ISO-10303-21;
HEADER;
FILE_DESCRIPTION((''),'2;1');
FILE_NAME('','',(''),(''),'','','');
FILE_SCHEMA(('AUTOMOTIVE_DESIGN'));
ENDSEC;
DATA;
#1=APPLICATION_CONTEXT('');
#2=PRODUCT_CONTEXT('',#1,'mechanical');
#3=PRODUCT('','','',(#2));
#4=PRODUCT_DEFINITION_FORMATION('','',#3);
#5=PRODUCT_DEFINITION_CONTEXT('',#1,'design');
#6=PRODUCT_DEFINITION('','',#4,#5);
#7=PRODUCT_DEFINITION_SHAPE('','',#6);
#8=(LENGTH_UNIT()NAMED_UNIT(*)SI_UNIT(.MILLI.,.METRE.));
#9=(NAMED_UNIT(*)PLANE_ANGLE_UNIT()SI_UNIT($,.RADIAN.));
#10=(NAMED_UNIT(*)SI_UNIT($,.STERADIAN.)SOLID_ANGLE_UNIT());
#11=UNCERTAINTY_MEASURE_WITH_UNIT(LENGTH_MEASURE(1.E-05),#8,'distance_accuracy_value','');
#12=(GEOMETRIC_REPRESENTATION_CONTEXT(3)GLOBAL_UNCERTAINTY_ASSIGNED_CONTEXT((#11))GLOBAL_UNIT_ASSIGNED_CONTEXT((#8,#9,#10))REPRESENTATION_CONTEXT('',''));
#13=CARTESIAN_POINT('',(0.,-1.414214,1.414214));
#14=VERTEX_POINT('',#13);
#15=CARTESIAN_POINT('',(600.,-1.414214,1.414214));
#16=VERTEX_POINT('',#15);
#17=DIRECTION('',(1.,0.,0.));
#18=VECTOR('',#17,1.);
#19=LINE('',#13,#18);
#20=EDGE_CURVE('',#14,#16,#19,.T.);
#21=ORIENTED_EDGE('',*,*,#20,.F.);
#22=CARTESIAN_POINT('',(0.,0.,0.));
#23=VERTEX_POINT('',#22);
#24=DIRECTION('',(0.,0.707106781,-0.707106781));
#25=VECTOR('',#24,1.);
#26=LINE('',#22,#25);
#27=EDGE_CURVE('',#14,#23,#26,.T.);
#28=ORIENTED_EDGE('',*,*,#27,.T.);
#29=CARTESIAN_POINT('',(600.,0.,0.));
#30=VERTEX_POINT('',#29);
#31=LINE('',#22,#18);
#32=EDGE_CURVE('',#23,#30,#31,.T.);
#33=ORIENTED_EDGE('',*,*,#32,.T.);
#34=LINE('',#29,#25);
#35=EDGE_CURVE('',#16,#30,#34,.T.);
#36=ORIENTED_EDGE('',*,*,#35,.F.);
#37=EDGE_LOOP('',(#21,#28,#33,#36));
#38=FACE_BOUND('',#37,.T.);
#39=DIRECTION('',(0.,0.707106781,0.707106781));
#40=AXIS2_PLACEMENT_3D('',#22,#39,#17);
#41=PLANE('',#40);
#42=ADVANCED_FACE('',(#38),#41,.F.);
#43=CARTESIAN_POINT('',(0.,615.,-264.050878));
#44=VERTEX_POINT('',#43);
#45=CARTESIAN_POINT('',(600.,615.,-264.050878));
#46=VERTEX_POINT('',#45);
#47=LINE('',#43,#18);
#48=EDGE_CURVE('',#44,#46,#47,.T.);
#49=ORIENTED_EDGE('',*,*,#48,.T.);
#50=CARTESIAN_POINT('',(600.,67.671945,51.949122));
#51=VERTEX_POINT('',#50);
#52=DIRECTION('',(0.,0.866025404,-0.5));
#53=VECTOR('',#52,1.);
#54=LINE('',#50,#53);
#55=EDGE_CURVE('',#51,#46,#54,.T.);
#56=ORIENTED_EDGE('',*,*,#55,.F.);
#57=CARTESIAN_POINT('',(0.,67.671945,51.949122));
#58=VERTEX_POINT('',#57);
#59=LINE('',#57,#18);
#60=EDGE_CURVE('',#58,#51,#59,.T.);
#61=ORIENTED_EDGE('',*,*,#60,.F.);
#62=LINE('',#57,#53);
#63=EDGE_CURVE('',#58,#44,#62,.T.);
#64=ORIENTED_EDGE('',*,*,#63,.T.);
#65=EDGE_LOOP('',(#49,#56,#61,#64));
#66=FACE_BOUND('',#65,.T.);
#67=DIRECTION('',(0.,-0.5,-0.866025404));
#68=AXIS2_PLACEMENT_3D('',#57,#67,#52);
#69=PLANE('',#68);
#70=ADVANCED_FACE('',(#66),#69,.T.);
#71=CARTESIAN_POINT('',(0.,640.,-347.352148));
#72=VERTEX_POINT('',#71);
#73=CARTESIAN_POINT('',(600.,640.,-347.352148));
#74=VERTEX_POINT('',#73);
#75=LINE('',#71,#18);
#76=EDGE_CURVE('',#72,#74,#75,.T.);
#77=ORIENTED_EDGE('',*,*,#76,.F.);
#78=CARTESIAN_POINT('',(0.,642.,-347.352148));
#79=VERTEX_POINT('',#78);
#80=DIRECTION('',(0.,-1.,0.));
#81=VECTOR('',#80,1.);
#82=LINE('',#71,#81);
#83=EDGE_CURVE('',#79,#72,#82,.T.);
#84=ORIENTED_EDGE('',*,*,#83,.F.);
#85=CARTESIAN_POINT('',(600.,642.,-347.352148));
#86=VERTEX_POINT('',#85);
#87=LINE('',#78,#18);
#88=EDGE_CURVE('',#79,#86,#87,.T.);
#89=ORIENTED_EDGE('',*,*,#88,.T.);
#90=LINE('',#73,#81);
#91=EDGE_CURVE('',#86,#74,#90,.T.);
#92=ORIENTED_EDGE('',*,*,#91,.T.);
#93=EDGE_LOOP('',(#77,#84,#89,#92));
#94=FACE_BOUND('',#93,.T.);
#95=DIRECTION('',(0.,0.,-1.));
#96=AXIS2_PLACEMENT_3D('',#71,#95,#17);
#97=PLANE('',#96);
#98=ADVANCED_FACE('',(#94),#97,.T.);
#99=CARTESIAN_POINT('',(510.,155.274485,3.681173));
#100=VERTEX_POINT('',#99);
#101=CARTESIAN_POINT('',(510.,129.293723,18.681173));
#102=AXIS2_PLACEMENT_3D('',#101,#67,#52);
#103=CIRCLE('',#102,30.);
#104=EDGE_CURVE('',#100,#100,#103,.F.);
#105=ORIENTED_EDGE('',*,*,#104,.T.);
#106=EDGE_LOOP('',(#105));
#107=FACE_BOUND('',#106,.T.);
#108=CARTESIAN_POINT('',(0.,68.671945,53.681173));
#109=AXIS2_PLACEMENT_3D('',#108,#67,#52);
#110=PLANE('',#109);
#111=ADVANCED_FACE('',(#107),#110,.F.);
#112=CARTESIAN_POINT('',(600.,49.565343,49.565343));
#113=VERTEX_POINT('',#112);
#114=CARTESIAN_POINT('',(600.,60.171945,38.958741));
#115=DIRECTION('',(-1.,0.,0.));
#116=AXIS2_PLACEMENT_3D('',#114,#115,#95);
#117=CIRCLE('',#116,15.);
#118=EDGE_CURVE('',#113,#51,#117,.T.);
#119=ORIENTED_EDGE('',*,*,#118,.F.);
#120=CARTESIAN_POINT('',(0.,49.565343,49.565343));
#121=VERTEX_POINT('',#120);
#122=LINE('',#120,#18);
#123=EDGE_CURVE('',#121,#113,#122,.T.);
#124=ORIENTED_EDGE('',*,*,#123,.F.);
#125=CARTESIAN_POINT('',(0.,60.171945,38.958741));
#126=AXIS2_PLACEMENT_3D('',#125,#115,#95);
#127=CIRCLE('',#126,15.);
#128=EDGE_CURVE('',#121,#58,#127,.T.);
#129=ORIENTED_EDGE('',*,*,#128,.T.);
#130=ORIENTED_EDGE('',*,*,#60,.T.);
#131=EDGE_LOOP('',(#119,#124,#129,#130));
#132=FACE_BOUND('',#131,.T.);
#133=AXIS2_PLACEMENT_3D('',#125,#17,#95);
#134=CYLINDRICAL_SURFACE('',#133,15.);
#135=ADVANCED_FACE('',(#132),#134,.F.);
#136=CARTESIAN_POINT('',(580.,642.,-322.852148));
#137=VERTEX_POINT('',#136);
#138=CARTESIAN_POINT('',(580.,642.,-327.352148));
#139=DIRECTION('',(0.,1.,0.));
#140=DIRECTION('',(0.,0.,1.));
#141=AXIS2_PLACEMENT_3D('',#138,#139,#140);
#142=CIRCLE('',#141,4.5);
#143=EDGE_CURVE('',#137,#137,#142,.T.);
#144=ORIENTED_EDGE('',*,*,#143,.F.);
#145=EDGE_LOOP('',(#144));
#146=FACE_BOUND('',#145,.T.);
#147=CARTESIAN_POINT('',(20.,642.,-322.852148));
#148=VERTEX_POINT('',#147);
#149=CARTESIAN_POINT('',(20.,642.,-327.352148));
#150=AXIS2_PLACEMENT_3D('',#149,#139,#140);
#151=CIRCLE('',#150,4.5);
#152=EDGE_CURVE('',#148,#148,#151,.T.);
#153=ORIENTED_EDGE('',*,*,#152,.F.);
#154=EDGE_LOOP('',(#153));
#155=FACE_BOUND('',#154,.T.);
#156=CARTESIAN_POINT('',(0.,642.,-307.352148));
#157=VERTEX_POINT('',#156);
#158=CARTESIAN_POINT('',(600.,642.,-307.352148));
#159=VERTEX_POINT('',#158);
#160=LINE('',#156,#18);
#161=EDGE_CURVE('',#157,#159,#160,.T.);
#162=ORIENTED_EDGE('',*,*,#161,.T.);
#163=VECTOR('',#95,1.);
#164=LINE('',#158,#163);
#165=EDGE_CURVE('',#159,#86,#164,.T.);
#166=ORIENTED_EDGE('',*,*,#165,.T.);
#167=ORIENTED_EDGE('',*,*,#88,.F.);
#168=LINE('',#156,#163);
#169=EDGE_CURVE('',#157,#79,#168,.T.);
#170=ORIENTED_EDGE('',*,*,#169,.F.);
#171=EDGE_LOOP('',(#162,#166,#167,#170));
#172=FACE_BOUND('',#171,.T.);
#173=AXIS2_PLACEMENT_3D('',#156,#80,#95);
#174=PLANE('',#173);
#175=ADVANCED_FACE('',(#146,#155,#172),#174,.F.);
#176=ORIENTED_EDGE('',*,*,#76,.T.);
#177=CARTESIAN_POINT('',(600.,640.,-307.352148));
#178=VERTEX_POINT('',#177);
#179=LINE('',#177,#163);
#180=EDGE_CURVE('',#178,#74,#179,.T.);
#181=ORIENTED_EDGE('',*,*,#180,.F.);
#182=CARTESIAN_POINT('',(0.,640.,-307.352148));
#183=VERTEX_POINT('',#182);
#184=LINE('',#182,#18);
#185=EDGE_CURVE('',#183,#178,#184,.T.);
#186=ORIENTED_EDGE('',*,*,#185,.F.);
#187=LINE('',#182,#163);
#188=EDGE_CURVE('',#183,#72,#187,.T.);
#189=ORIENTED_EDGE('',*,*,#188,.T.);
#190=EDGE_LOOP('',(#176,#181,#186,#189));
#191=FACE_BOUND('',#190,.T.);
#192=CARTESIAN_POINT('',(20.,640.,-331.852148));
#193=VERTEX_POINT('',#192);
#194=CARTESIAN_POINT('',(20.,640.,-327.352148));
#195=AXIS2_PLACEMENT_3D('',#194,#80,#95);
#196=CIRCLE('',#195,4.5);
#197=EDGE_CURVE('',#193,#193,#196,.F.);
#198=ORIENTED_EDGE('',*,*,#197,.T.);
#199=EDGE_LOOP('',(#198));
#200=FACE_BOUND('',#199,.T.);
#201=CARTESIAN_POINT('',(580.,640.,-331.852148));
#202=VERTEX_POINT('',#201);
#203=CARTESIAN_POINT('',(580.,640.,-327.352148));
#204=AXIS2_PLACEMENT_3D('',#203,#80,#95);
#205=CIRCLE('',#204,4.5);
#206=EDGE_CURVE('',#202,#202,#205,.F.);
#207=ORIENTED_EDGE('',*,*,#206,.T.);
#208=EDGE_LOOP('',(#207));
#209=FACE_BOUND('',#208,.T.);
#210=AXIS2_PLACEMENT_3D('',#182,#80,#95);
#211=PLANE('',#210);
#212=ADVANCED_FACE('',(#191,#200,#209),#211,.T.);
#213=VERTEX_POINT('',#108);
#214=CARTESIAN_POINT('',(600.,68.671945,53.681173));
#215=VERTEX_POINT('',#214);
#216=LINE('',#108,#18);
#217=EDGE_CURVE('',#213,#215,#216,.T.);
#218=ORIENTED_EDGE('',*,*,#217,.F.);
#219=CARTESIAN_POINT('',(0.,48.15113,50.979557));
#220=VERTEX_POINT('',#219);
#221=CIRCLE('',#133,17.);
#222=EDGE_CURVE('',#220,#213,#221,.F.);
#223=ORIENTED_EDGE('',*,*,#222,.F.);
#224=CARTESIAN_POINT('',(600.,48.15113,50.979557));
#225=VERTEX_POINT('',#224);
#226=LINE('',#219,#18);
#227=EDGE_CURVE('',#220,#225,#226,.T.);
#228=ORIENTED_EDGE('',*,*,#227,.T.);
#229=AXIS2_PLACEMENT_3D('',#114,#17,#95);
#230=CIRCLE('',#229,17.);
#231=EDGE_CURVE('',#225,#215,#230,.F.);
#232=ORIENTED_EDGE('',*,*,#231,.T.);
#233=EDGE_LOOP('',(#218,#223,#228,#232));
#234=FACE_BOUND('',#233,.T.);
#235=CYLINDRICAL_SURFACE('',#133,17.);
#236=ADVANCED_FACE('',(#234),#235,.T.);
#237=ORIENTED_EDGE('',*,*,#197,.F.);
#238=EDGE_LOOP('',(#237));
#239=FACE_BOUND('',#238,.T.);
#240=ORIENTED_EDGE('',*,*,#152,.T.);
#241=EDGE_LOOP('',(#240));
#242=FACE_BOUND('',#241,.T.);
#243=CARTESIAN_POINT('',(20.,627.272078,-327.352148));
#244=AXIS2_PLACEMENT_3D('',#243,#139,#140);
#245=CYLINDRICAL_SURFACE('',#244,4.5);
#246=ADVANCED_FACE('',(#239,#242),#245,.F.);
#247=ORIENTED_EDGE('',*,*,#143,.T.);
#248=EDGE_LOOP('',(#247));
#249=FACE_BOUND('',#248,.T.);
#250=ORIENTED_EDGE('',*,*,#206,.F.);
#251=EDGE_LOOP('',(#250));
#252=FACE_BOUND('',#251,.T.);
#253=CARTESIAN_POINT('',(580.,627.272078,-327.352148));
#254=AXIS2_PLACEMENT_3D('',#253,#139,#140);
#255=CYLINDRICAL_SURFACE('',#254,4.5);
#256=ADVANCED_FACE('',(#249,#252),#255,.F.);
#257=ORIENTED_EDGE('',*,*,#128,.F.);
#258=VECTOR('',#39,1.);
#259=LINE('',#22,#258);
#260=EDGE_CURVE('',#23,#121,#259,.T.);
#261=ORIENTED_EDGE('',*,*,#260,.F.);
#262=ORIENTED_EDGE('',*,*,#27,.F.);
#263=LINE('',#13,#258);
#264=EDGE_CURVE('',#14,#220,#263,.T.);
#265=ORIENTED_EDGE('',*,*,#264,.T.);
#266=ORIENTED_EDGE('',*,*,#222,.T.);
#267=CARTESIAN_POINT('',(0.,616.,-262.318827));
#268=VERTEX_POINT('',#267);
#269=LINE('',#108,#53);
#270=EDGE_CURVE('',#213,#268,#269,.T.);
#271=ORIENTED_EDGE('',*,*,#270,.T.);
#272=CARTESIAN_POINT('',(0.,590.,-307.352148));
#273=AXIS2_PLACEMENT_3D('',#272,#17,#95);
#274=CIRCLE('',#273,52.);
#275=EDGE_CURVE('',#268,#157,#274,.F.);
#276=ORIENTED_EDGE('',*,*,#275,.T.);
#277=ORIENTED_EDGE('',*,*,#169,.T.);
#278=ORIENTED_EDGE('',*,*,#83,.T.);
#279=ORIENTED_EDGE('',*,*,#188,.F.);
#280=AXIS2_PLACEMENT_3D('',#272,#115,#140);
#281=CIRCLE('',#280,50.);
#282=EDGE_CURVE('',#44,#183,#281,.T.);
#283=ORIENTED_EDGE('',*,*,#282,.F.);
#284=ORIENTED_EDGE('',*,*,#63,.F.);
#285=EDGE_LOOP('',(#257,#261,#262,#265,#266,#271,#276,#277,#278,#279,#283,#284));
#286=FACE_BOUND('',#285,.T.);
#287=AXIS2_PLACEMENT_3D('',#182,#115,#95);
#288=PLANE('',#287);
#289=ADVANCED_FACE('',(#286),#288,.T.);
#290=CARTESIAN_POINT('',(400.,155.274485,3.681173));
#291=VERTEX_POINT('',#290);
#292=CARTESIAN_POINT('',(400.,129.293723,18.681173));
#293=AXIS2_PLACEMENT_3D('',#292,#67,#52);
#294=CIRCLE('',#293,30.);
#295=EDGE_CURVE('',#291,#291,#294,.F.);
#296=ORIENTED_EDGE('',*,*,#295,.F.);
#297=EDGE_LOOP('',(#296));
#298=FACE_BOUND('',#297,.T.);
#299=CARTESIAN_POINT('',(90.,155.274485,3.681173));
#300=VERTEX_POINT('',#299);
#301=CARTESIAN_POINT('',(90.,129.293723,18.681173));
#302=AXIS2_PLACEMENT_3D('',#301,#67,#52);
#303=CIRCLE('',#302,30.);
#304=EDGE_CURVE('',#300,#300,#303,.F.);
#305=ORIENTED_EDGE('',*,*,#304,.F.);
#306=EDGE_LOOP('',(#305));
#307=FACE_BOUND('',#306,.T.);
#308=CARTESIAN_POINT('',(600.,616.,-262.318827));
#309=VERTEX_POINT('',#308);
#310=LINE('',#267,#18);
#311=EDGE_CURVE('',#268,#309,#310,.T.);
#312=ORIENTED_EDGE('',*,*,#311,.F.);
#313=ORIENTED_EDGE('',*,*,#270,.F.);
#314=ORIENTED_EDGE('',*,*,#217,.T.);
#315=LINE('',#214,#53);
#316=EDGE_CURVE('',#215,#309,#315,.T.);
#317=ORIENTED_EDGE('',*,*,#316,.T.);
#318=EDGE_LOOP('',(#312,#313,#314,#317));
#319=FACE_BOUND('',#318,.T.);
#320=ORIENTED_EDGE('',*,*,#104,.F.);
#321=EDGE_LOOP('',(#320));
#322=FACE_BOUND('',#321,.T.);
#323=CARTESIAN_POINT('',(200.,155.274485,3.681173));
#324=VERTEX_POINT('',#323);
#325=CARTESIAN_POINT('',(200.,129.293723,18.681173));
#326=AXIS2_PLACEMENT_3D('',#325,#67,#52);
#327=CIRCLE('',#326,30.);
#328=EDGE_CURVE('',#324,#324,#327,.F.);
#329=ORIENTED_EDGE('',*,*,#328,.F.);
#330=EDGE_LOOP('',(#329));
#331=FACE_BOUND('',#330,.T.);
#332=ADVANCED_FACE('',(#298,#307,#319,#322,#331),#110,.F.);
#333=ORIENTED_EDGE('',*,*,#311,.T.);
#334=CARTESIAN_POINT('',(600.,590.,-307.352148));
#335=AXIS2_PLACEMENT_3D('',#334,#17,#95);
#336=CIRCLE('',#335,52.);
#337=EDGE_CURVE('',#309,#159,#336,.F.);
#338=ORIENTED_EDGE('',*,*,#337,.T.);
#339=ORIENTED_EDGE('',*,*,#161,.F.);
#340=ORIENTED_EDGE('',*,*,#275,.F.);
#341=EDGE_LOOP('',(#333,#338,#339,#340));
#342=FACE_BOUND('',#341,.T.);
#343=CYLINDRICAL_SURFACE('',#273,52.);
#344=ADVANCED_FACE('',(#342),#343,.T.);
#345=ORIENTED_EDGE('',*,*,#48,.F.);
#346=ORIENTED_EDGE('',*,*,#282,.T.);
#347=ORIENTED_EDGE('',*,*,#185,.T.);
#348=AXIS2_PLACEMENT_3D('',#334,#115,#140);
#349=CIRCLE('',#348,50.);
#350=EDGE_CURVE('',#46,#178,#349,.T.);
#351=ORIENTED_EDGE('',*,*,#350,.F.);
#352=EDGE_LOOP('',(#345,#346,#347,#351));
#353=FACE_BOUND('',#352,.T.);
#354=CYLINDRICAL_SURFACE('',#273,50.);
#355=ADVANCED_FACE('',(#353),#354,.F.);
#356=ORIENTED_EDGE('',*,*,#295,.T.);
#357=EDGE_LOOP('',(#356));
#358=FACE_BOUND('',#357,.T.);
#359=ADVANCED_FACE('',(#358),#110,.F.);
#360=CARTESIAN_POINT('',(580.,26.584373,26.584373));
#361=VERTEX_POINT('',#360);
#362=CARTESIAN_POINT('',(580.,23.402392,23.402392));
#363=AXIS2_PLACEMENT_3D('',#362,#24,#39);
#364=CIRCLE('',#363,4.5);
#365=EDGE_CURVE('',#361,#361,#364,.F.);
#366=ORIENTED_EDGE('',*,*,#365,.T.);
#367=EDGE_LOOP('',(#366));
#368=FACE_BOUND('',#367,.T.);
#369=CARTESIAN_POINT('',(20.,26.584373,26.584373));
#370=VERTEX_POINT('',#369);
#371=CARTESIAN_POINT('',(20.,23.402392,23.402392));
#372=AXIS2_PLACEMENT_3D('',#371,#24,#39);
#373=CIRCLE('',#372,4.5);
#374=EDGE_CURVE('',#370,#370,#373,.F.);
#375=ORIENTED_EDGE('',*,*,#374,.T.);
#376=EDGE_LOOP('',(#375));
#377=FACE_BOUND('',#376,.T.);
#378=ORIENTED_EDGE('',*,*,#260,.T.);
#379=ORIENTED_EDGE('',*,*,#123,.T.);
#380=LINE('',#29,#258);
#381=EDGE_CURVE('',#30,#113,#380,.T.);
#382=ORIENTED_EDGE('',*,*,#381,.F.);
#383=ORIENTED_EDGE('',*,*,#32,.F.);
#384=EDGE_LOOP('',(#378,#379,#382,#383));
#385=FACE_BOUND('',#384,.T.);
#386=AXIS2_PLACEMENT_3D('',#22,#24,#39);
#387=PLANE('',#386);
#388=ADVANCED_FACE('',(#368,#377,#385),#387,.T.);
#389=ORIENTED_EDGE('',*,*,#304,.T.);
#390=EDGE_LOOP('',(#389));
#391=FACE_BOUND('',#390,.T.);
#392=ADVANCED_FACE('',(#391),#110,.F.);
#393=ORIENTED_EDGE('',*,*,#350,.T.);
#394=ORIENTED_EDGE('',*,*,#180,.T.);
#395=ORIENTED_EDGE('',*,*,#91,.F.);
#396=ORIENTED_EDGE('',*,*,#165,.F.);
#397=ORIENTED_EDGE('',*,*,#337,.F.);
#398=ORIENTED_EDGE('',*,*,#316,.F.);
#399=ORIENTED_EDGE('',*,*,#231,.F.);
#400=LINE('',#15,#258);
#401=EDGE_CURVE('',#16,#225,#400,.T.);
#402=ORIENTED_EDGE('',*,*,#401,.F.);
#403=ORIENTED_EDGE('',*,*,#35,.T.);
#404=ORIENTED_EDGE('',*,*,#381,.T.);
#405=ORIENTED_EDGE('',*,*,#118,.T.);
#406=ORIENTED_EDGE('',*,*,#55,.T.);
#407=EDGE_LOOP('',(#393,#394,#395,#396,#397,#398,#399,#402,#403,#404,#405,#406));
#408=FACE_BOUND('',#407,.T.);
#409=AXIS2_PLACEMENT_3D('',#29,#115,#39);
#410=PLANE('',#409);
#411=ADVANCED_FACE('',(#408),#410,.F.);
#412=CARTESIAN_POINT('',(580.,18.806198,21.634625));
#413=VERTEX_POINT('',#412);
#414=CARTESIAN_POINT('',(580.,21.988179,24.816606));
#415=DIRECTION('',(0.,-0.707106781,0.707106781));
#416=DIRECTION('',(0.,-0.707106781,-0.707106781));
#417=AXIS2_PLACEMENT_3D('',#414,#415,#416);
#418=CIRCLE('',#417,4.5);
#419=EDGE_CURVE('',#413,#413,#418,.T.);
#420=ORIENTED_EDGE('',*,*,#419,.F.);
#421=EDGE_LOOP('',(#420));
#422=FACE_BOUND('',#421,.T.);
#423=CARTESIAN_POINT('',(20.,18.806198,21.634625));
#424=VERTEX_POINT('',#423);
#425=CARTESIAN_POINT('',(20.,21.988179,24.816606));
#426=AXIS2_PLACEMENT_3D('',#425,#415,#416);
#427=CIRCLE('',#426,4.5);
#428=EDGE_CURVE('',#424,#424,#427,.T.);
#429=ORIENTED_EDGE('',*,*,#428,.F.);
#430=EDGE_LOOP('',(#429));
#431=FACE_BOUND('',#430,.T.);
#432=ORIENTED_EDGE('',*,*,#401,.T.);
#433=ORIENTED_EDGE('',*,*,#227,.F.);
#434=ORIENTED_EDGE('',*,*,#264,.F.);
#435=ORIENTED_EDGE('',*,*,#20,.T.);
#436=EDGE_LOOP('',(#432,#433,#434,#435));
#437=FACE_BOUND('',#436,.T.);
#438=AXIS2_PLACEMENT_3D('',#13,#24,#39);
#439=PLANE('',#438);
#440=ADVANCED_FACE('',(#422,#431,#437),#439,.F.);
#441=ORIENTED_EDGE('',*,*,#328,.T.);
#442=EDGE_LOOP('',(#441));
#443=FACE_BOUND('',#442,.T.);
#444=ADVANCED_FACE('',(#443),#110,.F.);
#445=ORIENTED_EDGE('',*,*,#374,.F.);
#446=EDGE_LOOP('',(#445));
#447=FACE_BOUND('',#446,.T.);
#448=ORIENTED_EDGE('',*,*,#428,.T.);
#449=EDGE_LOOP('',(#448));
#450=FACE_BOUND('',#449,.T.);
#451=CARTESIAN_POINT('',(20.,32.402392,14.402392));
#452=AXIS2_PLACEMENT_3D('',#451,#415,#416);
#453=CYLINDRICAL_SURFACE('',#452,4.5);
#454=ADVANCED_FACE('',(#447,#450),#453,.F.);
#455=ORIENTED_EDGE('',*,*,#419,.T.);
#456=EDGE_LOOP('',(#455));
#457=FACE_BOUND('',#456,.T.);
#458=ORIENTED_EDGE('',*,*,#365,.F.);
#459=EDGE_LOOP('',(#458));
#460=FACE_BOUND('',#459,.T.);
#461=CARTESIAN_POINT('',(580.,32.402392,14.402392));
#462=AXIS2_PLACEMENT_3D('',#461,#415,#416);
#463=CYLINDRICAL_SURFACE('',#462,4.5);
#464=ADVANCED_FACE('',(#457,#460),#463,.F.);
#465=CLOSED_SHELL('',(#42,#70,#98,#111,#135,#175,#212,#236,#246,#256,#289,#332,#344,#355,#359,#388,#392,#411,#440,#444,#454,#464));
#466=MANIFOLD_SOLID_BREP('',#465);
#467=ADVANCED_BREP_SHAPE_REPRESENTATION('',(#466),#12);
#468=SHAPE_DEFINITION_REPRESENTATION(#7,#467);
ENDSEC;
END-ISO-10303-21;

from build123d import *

# Parameters (mm, degrees)
SURFACE_EXTRUDE1_1_DEPTH = 600
THICKEN1_T1              = 2
SKETCH3_R                = 4.5
CUT_EXTRUDE1_DEPTH       = 2
SKETCH4_R                = 4.5
CUT_EXTRUDE2_DEPTH       = 2
LPATTERN1_COUNT          = 2
LPATTERN1_PITCH          = 560


with BuildPart() as body_1:
    # Surface-Extrude1: a surface, the sketch's curves swept straight by 600 mm
    with BuildLine(Plane(origin=(0, 0, 0), x_dir=(0, 0, -1), z_dir=(1, 0, 0)), mode=Mode.PRIVATE) as surface_extrude1_1_path:
        Line((0, 0), (-49.56534309, 49.56534309))
        ThreePointArc((-49.56534309, 49.56534309), (-53.830414293, 58.214051925), (-51.949122429, 67.671944808))
        Line((-51.949122429, 67.671944808), (264.050877571, 615))
        ThreePointArc((264.050877571, 615), (282.35214776, 633.301270189), (307.35214776, 640))
        Line((307.35214776, 640), (347.35214776, 640))
    surface_extrude1_1 = Shell.extrude(surface_extrude1_1_path.wire(), (1 * SURFACE_EXTRUDE1_1_DEPTH, 0 * SURFACE_EXTRUDE1_1_DEPTH, 0 * SURFACE_EXTRUDE1_1_DEPTH))
    add(Solid.thicken(surface_extrude1_1, THICKEN1_T1))

    # Sketch3 → Cut-Extrude1 (cut)
    with BuildSketch(Plane(origin=(0, -1.414213562, 1.414213562), x_dir=(1, 0, 0), z_dir=(0, -0.7071067811865517, 0.7071067811865434))):
        with Locations(Location((580, 33.095980422, 0), (0, 0, 270))):
            Circle(SKETCH3_R)
    cut_extrude1 = extrude(amount=-CUT_EXTRUDE1_DEPTH, mode=Mode.SUBTRACT)

    # Sketch4 → Cut-Extrude2 (cut)
    with BuildSketch(Plane(origin=(0, 642, 0), x_dir=(1, 0, 0), z_dir=(0, 1, 0))):
        with Locations(Location((580, 327.35214776, 0), (0, 0, 270))):
            Circle(SKETCH4_R)
    cut_extrude2 = extrude(amount=-CUT_EXTRUDE2_DEPTH, mode=Mode.SUBTRACT)

    # LPattern1: Cut-Extrude1, Cut-Extrude2 ×2
    with Locations(*[(-i * LPATTERN1_PITCH, 0, 0) for i in range(1, LPATTERN1_COUNT)]):
        add(cut_extrude1, mode=Mode.SUBTRACT)
        add(cut_extrude2, mode=Mode.SUBTRACT)


solid = body_1.part
